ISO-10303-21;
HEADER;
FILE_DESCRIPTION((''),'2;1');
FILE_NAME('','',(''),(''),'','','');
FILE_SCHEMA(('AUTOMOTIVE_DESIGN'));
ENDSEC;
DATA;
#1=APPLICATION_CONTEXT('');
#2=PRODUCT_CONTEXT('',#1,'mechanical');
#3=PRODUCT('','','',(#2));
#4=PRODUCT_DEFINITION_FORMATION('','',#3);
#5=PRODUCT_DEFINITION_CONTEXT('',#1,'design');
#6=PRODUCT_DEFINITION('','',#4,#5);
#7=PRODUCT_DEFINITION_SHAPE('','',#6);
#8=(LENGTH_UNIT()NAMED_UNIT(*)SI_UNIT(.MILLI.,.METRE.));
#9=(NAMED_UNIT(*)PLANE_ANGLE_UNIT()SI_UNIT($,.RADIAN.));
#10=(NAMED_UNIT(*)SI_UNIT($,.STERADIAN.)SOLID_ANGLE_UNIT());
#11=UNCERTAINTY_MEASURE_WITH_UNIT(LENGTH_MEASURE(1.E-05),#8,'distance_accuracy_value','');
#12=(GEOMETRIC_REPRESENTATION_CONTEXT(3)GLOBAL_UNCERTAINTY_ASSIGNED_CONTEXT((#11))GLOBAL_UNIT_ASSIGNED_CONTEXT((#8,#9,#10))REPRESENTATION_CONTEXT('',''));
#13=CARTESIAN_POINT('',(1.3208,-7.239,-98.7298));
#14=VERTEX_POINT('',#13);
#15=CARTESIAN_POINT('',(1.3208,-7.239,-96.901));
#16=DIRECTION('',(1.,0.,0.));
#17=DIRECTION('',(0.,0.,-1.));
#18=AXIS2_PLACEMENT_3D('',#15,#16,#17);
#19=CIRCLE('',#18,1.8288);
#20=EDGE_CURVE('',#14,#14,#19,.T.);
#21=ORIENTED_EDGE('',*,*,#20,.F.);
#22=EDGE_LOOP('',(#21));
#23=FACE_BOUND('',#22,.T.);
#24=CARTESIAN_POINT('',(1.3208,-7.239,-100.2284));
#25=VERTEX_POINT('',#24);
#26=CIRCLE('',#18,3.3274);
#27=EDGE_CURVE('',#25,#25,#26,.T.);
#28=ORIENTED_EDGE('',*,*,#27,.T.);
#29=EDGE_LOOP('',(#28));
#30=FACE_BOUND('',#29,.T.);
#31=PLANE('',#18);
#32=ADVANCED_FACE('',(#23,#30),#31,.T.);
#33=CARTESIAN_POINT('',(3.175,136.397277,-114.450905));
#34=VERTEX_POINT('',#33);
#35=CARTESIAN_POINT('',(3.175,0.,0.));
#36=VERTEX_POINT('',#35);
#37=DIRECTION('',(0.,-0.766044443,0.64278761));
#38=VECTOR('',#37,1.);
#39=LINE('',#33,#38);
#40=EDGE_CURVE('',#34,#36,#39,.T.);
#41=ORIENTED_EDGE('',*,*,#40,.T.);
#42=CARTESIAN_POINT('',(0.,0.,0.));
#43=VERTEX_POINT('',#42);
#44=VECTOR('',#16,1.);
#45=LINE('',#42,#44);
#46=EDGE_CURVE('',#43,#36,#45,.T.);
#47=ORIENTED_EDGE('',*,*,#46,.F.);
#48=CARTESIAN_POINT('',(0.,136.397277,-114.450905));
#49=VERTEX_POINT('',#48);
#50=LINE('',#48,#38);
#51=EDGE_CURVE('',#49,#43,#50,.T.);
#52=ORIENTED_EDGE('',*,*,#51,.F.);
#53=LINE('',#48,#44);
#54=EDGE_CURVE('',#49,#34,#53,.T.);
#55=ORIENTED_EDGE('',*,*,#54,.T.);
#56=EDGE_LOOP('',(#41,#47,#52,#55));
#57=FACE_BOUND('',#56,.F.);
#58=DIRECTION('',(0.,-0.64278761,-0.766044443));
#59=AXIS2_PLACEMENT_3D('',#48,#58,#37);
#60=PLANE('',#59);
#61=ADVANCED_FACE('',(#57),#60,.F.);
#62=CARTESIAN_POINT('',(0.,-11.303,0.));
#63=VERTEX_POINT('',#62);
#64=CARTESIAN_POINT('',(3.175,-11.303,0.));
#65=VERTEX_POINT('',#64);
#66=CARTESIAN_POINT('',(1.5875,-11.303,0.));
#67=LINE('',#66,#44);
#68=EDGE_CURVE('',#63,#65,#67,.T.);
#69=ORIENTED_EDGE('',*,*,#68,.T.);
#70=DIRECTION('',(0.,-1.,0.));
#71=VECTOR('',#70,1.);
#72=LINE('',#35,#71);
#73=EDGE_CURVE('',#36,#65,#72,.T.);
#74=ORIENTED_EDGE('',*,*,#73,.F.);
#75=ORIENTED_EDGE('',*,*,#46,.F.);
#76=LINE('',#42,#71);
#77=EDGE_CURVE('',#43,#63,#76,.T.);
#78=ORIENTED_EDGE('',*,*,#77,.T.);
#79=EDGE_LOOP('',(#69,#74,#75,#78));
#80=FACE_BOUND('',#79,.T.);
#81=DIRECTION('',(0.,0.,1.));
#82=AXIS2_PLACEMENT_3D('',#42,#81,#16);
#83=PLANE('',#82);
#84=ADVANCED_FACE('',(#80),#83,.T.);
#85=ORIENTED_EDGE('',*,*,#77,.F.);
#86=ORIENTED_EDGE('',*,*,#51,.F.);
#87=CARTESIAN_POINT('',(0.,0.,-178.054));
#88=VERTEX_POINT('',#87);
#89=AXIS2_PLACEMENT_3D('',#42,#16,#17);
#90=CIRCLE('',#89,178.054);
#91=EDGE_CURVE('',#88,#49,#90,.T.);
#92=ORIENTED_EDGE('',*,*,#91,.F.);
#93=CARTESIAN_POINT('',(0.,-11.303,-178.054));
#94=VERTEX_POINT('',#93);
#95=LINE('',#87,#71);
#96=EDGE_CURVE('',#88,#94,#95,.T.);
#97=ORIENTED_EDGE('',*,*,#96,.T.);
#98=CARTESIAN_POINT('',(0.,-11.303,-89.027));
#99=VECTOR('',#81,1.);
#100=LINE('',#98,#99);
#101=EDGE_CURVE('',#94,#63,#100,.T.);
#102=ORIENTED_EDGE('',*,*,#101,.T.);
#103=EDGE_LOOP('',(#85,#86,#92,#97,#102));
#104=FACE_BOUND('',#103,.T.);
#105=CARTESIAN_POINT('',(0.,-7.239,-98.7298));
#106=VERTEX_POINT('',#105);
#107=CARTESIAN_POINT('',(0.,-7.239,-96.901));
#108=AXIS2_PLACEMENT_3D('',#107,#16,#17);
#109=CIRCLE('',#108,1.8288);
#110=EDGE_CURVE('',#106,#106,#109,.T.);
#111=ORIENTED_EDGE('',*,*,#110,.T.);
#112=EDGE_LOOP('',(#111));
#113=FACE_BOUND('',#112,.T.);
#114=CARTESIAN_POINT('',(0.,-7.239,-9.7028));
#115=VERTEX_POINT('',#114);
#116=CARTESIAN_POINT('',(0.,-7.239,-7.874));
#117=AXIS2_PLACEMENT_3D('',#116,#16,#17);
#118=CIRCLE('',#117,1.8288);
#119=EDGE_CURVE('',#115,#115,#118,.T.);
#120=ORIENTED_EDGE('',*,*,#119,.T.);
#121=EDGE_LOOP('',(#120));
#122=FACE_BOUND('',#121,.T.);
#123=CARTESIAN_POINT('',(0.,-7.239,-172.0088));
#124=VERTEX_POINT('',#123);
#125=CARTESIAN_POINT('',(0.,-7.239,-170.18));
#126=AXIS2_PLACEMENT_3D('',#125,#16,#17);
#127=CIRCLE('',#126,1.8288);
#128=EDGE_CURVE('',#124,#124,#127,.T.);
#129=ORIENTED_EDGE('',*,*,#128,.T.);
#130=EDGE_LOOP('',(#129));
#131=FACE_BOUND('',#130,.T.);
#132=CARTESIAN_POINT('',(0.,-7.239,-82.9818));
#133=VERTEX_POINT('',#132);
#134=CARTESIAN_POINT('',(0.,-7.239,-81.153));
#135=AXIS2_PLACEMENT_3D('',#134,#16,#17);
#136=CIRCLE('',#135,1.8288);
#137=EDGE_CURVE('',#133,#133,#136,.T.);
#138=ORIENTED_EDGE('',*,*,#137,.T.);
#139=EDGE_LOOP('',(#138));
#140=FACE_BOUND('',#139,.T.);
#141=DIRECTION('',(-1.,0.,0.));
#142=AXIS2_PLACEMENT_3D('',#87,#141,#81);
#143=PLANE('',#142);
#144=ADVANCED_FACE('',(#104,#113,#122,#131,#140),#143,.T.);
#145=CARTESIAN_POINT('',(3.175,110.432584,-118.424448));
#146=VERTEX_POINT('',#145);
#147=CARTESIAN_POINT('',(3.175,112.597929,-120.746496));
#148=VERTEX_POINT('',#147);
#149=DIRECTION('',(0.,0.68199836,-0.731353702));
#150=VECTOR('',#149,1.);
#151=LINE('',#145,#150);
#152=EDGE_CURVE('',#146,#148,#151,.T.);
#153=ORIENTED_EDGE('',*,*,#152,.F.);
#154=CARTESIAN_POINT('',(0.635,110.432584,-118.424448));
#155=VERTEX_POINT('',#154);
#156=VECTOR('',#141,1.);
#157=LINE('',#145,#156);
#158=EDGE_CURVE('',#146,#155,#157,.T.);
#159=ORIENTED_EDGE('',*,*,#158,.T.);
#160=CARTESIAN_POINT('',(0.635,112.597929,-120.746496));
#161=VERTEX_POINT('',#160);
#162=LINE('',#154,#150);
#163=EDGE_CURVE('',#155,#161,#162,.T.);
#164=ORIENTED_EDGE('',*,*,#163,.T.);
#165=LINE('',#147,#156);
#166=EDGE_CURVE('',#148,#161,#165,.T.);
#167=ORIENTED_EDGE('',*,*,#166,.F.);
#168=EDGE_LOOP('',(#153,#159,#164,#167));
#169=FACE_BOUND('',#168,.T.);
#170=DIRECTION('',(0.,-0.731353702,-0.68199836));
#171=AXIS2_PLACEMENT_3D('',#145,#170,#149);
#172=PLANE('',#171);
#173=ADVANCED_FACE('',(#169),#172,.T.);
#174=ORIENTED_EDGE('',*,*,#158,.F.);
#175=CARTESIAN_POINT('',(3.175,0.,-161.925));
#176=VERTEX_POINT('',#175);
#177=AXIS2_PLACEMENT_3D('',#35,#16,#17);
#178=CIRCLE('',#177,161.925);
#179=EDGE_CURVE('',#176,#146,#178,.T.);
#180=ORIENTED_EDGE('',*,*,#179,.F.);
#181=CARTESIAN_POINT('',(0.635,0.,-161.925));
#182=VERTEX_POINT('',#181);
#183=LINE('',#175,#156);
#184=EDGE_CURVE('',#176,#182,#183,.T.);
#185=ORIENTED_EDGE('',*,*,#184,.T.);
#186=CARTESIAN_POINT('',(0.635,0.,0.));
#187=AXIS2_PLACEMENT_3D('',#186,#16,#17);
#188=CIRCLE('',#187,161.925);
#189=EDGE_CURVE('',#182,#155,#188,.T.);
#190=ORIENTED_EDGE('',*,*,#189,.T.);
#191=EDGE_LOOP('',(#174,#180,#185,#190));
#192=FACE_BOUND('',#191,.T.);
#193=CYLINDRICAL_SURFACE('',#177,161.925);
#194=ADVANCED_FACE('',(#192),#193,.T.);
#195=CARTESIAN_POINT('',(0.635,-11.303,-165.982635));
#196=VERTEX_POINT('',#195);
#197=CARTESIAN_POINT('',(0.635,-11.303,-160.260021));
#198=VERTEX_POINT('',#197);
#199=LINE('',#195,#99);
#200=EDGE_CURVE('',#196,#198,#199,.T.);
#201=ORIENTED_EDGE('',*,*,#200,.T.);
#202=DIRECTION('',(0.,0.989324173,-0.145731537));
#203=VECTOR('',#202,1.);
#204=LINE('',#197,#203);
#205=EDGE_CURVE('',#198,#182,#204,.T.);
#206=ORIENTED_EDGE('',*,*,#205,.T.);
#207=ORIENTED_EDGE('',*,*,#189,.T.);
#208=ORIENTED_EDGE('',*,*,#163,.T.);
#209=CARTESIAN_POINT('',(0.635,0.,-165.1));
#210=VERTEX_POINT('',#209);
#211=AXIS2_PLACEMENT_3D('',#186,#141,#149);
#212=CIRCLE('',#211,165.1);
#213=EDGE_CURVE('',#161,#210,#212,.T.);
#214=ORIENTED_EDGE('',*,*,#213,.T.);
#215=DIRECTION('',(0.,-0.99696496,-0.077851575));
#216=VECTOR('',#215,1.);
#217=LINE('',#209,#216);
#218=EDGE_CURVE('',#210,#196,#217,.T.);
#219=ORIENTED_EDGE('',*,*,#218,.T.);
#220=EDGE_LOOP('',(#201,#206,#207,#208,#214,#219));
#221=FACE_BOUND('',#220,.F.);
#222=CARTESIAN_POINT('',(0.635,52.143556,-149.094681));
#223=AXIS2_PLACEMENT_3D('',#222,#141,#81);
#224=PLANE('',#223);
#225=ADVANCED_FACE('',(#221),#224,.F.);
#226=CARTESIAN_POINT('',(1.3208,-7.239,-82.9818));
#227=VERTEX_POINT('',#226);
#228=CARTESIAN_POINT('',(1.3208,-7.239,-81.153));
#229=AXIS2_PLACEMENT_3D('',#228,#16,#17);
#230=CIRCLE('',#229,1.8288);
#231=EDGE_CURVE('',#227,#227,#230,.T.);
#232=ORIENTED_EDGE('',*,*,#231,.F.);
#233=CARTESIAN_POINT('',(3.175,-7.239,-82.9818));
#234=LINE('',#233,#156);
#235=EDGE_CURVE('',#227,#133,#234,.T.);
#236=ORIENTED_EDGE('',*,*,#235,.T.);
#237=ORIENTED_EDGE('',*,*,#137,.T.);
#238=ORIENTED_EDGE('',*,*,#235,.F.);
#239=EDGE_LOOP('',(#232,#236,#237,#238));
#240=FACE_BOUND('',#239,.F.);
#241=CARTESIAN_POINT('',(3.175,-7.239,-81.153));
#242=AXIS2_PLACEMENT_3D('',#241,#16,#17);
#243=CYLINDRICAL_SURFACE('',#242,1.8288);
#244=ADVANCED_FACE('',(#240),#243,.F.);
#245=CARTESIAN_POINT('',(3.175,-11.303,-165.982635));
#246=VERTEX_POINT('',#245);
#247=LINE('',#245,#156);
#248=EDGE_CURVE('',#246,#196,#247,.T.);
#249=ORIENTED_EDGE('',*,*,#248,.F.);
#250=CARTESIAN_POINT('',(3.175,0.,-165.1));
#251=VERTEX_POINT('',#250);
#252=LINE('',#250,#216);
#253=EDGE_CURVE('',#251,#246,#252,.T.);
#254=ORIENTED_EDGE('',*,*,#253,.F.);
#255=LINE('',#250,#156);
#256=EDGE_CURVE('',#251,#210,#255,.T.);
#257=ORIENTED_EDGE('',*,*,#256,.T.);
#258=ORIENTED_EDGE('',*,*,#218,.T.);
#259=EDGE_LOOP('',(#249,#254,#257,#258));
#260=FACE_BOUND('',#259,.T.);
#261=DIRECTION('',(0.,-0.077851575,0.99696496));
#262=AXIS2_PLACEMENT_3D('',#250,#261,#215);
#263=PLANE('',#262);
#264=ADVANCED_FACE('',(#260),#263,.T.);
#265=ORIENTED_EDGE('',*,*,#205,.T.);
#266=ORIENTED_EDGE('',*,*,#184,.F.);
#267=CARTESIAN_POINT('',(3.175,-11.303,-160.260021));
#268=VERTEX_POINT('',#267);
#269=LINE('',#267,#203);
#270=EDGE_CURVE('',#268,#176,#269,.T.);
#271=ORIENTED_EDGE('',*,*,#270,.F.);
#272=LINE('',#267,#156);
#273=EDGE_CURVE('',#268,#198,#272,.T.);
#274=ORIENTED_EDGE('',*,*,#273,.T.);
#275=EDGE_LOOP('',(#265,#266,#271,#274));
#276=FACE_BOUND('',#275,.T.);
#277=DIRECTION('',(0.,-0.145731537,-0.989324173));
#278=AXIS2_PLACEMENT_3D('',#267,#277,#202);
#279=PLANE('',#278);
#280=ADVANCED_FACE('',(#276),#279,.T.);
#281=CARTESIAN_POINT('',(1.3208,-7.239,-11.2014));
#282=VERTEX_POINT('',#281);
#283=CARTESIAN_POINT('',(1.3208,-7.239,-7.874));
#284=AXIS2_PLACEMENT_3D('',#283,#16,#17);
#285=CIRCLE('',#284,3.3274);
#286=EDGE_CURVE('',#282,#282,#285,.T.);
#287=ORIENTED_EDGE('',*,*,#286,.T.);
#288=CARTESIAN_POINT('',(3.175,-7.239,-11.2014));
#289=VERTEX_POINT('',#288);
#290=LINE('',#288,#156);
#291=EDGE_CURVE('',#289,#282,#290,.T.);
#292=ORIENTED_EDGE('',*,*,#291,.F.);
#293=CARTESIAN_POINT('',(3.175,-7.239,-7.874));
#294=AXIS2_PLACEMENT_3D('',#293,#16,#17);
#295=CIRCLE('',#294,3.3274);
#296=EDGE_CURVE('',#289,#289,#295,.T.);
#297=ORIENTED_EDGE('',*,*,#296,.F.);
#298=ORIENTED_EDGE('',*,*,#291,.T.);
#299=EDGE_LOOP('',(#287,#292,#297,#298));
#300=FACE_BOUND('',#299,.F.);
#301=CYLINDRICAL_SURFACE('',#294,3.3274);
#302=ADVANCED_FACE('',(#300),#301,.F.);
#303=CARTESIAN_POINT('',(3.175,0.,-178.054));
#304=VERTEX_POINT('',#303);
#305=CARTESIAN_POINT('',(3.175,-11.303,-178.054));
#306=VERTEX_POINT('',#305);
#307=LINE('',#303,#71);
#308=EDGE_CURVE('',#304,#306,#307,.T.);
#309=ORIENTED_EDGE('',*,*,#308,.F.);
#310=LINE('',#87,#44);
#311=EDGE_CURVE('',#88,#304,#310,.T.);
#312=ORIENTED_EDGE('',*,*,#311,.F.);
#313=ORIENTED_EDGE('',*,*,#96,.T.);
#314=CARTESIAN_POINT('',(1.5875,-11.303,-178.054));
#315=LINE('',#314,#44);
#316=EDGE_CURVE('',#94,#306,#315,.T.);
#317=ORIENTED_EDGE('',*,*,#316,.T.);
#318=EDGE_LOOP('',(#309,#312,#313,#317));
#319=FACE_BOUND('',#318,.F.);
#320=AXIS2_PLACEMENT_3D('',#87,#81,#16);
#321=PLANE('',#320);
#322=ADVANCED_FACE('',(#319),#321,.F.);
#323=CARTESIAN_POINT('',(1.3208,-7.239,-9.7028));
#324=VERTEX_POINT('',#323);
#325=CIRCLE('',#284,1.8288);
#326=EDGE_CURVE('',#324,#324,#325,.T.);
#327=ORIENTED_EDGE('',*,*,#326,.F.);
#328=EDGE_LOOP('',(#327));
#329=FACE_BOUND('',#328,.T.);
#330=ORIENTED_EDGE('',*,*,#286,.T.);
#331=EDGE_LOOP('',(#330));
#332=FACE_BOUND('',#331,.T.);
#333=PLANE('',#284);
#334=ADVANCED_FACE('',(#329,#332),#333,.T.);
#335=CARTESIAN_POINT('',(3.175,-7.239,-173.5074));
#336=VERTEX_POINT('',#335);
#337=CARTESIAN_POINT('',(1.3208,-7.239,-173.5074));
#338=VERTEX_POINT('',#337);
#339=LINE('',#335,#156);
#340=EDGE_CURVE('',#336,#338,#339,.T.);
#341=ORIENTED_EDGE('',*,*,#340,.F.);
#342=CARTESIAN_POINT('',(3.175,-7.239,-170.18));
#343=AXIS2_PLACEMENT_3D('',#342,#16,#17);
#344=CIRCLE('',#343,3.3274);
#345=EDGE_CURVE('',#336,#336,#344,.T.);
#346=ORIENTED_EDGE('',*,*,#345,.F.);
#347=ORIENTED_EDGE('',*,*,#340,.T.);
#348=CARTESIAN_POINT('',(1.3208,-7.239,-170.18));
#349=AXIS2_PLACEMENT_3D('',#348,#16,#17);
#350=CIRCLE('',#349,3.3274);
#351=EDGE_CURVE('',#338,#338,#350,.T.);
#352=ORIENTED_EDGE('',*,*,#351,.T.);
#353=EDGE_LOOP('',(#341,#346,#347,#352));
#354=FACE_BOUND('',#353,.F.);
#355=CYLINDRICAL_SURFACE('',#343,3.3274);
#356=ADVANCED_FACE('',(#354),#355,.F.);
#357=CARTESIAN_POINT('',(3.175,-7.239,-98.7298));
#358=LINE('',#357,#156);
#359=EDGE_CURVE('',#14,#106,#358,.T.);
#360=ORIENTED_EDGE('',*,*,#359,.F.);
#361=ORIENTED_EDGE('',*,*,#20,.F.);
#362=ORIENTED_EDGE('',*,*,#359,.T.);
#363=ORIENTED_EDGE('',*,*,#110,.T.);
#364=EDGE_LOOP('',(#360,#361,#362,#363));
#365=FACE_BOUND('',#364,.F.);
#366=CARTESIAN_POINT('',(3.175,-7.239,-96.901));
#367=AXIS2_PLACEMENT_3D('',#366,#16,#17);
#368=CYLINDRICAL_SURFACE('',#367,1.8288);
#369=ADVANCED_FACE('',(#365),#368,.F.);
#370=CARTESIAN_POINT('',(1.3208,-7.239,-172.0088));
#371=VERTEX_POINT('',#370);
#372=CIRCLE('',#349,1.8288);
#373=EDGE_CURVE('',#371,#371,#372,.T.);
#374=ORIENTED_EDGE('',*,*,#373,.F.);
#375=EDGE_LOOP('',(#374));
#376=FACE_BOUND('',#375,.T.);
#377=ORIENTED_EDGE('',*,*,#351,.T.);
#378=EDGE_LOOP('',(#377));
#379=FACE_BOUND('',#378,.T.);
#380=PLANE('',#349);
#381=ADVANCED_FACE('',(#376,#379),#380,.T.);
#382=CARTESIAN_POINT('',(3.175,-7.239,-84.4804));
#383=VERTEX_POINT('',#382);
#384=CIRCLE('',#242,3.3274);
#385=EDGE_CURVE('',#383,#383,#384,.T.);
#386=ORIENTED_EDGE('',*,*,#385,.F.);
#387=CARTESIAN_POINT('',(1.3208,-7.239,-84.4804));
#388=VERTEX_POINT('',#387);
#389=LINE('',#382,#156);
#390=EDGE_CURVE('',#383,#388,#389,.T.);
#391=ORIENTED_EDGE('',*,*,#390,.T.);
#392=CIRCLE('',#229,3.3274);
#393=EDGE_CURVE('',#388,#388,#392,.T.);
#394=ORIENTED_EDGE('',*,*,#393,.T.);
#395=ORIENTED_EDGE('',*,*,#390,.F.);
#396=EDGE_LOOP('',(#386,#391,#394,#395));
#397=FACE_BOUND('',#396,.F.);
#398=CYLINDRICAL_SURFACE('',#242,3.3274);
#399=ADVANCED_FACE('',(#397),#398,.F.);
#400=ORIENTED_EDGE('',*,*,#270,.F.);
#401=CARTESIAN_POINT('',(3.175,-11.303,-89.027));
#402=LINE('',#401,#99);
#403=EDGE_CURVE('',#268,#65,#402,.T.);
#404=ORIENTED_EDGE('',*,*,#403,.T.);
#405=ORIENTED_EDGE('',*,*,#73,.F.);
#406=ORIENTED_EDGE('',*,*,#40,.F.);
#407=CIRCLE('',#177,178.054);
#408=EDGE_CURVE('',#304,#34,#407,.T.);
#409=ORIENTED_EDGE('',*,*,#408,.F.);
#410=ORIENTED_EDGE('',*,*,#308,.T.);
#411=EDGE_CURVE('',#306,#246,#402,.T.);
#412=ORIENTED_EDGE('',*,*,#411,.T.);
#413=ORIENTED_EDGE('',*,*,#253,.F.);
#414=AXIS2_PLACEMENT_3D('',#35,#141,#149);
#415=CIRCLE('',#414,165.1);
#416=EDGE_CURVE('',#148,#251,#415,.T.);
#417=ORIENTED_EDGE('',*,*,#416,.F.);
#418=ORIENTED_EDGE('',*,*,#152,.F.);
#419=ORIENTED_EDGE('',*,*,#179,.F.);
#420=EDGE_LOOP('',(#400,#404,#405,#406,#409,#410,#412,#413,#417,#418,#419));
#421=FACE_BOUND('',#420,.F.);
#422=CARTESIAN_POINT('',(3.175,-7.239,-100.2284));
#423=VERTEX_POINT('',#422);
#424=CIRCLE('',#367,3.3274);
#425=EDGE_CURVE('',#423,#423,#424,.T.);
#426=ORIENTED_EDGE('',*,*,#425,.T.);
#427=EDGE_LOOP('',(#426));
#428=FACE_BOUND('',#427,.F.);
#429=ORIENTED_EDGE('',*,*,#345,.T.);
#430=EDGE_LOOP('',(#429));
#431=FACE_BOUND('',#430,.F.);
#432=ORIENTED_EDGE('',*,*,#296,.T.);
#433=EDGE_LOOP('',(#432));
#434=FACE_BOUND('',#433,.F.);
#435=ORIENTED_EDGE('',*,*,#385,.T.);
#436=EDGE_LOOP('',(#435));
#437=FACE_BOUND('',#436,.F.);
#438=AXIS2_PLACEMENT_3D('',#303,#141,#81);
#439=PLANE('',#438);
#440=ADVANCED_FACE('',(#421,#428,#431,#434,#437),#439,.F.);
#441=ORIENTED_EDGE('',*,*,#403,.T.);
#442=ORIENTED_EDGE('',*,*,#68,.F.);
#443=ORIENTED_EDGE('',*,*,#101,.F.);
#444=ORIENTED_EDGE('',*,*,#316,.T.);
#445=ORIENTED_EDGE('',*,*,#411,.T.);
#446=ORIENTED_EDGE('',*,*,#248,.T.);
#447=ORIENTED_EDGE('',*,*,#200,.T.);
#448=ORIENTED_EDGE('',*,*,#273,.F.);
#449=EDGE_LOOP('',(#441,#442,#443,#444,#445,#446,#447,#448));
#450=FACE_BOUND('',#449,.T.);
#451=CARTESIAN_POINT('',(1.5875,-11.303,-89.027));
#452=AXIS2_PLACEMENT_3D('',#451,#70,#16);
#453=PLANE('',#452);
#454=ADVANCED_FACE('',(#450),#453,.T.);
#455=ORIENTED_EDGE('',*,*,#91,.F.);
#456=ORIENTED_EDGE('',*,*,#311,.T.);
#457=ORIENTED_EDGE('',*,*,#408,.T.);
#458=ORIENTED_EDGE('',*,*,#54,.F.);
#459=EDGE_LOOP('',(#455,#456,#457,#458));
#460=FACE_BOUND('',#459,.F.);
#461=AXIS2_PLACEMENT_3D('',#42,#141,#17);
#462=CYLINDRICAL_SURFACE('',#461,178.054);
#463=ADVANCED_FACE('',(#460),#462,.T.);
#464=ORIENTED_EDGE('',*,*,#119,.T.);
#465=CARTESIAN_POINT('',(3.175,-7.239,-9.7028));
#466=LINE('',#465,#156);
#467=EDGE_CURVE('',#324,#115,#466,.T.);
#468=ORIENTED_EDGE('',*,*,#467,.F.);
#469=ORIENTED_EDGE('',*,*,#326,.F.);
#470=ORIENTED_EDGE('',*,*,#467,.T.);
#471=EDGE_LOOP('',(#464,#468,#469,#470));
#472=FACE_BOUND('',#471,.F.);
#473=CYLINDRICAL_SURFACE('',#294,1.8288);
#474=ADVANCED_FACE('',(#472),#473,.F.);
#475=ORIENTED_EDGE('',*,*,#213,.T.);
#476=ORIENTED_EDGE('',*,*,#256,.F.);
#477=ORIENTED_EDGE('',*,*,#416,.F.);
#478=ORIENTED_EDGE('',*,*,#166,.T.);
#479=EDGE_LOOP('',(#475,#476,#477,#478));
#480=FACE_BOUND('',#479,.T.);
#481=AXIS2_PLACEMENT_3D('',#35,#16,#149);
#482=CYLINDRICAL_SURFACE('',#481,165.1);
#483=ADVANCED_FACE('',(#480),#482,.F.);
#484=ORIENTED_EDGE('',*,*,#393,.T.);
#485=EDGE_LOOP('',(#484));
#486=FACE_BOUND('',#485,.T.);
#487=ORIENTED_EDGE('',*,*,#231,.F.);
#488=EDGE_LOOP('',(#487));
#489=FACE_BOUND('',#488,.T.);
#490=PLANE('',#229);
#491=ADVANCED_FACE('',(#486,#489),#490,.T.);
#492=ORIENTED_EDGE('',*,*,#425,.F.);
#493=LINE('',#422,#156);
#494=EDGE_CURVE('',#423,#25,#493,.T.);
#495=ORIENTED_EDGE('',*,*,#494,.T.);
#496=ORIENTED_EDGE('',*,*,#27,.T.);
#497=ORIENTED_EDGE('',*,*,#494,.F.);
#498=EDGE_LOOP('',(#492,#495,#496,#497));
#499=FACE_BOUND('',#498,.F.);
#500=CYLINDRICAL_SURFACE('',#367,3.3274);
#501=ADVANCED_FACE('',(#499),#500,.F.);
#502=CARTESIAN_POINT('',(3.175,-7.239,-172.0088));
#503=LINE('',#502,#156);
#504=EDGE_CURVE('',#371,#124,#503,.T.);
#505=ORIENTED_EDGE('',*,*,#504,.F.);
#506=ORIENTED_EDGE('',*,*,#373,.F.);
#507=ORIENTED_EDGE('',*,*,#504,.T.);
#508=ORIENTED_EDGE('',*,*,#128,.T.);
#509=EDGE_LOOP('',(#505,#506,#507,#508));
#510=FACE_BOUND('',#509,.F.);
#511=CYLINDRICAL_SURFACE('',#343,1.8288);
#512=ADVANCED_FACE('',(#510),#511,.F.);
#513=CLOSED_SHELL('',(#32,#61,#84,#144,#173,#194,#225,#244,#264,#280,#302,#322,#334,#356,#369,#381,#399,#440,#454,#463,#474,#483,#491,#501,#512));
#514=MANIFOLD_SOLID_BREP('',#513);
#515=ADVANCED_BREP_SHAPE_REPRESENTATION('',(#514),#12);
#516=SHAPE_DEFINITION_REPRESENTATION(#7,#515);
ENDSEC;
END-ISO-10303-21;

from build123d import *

# Parameters (mm, degrees)
BOSS_EXTRUDE1_DEPTH = 3.175
SKETCH2_W           = 3.175
SKETCH2_H           = 178.054
BOSS_EXTRUDE2_DEPTH = 11.303
SKETCH3_R           = 1.8288
CUT_EXTRUDE1_DEPTH  = 4.175
CUT_EXTRUDE2_DEPTH  = 2.54
SKETCH8_R           = 3.3274
CUT_EXTRUDE3_DEPTH  = 1.8542


with BuildPart() as part:
    # Sketch1 → Boss-Extrude1 (new body)
    with BuildSketch(Plane(origin=(0, 0, 0), x_dir=(0, 0, -1), z_dir=(1, 0, 0))):
        with BuildLine():
            Line((0, 0), (178.054, 0))
            ThreePointArc((178.054, 0), (161.371726713, 75.248871976), (114.450905055, 136.397277275))
            Line((114.450905055, 136.397277275), (0, 0))
        make_face()
    extrude(amount=BOSS_EXTRUDE1_DEPTH)

    # Sketch2 → Boss-Extrude2 (add)
    with BuildSketch(Plane.XZ):
        with Locations((1.5875, -89.027)):
            Rectangle(SKETCH2_W, SKETCH2_H)
    extrude(amount=BOSS_EXTRUDE2_DEPTH)

    # Sketch3 → Cut-Extrude1 (cut, through all)
    with BuildSketch(Plane(origin=(3.175, 0, 0), x_dir=(0, 0, -1), z_dir=(1, 0, 0))):
        with Locations((7.874, -7.239)):
            Circle(SKETCH3_R)
        with Locations((81.153, -7.239)):
            Circle(SKETCH3_R)
        with Locations((96.901, -7.239)):
            Circle(SKETCH3_R)
        with Locations((170.18, -7.239)):
            Circle(SKETCH3_R)
    extrude(amount=-CUT_EXTRUDE1_DEPTH, mode=Mode.SUBTRACT)

    # Sketch6 → Cut-Extrude2 (cut)
    with BuildSketch(Plane(origin=(3.175, 0, 0), x_dir=(0, 0, -1), z_dir=(1, 0, 0))):
        with BuildLine():
            Line((165.1, 0), (165.982635189, -11.303))
            Line((165.982635189, -11.303), (160.260021408, -11.303))
            Line((160.260021408, -11.303), (161.925, 0))
            ThreePointArc((161.925, 0), (150.657864695, 59.345711137), (118.424448135, 110.432584453))
            Line((118.424448135, 110.432584453), (120.746496137, 112.597929246))
            ThreePointArc((120.746496137, 112.597929246), (153.611940474, 60.509352532), (165.1, 0))
        make_face()
    extrude(amount=-CUT_EXTRUDE2_DEPTH, mode=Mode.SUBTRACT)

    # Sketch8 → Cut-Extrude3 (cut)
    with BuildSketch(Plane(origin=(3.175, 0, 0), x_dir=(0, 0, -1), z_dir=(1, 0, 0))):
        with Locations((7.874, -7.239)):
            Circle(SKETCH8_R)
        with Locations((81.153, -7.239)):
            Circle(SKETCH8_R)
        with Locations((96.901, -7.239)):
            Circle(SKETCH8_R)
        with Locations((170.18, -7.239)):
            Circle(SKETCH8_R)
    extrude(amount=-CUT_EXTRUDE3_DEPTH, mode=Mode.SUBTRACT)


solid = part.part
